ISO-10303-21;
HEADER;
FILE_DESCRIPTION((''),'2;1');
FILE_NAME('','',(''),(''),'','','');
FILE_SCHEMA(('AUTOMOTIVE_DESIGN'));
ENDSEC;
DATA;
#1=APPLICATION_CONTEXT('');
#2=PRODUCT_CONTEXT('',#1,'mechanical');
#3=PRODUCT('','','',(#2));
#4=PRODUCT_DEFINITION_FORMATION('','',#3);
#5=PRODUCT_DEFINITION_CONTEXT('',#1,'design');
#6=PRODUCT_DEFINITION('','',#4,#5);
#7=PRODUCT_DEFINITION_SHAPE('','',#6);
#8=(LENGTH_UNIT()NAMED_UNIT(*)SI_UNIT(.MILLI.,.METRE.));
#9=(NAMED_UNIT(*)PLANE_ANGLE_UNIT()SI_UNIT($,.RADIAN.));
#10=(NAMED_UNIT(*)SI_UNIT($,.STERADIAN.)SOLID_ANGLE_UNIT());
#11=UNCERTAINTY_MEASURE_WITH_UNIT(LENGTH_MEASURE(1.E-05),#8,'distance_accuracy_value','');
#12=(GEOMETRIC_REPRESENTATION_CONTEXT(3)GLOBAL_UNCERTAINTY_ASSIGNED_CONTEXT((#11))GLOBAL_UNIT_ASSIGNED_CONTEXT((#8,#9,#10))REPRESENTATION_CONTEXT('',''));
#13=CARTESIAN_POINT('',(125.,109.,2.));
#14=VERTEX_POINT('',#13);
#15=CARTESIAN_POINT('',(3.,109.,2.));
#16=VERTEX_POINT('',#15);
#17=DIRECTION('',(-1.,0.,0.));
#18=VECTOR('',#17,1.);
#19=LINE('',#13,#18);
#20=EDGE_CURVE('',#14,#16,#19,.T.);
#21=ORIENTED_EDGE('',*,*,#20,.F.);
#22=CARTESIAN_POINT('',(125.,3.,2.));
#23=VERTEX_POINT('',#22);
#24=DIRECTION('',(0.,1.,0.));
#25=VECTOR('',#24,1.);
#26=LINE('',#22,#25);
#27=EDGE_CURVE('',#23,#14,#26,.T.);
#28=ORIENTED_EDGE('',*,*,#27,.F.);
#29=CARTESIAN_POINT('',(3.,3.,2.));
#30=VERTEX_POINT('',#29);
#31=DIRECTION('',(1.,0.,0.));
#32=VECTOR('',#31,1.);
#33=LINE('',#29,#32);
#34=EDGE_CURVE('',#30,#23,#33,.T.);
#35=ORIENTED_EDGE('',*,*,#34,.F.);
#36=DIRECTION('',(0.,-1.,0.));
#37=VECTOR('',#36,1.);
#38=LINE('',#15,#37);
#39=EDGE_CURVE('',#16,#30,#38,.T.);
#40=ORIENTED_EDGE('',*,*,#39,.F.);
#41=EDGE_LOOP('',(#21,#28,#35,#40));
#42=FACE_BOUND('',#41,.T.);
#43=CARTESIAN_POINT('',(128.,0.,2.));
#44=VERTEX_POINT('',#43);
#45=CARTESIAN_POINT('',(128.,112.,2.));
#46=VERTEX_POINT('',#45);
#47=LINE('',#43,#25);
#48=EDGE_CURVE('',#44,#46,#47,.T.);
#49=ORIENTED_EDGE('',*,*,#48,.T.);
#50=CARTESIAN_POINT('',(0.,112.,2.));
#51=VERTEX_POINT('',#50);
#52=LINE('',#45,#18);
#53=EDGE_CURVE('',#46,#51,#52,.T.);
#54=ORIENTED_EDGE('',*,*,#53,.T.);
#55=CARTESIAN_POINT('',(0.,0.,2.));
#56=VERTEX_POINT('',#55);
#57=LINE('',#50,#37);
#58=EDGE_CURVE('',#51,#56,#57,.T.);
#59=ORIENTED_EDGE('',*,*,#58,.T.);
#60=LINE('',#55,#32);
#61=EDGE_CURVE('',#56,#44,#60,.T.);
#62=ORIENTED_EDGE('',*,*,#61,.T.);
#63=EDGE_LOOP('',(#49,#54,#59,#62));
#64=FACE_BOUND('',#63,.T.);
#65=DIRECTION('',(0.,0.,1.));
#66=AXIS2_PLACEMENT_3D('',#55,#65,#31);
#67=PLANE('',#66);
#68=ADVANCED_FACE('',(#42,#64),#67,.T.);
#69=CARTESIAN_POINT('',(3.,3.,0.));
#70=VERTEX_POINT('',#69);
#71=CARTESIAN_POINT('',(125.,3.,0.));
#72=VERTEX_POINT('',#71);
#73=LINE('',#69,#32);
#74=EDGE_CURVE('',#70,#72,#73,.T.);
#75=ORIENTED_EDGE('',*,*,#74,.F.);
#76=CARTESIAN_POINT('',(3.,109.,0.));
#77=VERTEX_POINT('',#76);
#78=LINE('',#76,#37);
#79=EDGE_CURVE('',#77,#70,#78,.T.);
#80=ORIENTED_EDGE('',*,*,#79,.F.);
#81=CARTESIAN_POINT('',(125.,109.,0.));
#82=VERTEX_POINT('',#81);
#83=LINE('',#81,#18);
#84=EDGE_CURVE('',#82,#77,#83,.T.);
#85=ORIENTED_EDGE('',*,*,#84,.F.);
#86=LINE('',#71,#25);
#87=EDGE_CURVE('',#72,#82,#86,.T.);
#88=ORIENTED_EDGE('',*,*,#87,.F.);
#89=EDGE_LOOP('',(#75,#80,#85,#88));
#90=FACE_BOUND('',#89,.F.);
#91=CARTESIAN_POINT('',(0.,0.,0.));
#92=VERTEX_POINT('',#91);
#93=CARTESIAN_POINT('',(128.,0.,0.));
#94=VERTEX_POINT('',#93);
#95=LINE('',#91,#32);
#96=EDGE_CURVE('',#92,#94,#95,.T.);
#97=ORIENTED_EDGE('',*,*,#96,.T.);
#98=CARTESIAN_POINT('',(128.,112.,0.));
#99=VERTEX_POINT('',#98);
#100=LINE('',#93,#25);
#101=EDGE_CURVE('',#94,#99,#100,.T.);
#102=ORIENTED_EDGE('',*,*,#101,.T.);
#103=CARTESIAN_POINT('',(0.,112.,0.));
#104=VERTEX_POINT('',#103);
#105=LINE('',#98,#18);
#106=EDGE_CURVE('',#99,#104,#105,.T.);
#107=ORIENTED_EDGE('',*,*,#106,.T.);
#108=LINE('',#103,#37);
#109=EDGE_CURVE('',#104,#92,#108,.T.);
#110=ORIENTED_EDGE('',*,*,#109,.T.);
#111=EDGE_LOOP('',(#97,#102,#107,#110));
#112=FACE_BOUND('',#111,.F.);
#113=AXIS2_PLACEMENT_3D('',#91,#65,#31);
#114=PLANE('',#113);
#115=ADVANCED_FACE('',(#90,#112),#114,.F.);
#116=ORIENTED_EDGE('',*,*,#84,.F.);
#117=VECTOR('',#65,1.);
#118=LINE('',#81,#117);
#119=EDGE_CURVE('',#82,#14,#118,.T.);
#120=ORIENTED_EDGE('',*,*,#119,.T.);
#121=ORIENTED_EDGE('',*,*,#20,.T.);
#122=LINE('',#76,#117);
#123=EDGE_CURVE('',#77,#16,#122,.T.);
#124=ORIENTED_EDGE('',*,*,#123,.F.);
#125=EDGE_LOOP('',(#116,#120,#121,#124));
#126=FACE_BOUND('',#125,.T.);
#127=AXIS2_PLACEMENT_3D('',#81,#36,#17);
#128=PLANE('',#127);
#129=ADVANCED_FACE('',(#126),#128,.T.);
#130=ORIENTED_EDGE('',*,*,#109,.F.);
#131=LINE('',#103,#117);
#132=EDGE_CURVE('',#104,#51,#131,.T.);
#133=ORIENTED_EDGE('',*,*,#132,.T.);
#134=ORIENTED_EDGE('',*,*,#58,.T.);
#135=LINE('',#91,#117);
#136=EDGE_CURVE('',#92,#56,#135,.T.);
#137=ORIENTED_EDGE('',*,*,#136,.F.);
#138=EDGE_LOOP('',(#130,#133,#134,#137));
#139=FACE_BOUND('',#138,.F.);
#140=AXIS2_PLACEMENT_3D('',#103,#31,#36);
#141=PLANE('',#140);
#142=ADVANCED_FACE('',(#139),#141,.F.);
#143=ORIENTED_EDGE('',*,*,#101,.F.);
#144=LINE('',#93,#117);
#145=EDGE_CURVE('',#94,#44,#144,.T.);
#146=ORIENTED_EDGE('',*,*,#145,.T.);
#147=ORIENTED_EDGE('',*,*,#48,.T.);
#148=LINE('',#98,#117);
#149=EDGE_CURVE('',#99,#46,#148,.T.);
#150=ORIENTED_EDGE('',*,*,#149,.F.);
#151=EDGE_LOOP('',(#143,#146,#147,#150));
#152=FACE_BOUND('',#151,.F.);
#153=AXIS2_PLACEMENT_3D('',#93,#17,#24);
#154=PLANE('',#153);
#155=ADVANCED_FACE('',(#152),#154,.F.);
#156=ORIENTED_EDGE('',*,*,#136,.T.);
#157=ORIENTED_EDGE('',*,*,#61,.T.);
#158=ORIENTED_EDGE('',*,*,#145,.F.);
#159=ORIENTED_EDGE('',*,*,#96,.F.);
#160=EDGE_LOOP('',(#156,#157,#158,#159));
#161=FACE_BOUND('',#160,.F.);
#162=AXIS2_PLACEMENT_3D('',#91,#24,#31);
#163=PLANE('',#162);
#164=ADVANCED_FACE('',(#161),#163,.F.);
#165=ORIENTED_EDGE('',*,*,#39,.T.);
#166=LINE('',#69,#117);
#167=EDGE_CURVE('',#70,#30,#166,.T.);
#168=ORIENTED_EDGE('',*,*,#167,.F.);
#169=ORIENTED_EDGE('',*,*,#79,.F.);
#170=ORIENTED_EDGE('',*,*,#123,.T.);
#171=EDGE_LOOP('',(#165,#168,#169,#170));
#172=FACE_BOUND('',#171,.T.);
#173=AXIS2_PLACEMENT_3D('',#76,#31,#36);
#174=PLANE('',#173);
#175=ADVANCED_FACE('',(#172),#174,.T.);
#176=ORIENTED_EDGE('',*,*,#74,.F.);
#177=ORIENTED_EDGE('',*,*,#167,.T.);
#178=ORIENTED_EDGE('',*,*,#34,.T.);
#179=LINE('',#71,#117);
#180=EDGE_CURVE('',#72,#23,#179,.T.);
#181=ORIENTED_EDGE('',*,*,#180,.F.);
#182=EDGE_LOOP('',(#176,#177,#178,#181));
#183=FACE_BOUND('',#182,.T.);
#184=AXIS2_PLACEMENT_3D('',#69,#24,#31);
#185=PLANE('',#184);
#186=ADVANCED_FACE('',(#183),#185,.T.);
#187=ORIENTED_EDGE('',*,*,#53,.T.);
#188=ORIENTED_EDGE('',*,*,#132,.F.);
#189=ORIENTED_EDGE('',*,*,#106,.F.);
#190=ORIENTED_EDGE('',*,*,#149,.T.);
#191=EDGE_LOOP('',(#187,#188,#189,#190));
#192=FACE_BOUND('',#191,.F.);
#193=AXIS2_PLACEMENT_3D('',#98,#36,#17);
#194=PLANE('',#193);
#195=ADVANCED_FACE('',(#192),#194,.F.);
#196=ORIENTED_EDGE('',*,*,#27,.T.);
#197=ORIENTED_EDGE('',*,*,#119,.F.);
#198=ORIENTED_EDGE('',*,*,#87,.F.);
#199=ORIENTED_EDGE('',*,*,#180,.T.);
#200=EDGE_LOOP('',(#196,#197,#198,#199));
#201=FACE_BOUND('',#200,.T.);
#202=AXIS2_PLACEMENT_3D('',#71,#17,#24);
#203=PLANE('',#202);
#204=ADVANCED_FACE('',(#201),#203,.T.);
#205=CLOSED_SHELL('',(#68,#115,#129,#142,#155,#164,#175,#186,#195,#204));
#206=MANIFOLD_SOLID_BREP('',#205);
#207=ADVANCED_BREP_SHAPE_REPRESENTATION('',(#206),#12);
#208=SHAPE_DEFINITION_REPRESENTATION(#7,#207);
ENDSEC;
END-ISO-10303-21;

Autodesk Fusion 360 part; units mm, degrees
sketch "Sketch1" plane through (0, 0, 0) normal (0, 0, 1) x (1, 0, 0)
  line L0 (0, 0) -> (128, 0)
  line L1 (128, 0) -> (128, 112)
  line L2 (128, 112) -> (0, 112)
  line L3 (0, 112) -> (0, 0)
  line L4 (3, 3) -> (125, 3)
  line L5 (125, 3) -> (125, 109)
  line L6 (125, 109) -> (3, 109)
  line L7 (3, 109) -> (3, 3)
  dimension "d1" = 128
  dimension "d2" = 112
  dimension "d3" = -3
extrude "Extrude1" add sketch "Sketch1" along normal blind 2
